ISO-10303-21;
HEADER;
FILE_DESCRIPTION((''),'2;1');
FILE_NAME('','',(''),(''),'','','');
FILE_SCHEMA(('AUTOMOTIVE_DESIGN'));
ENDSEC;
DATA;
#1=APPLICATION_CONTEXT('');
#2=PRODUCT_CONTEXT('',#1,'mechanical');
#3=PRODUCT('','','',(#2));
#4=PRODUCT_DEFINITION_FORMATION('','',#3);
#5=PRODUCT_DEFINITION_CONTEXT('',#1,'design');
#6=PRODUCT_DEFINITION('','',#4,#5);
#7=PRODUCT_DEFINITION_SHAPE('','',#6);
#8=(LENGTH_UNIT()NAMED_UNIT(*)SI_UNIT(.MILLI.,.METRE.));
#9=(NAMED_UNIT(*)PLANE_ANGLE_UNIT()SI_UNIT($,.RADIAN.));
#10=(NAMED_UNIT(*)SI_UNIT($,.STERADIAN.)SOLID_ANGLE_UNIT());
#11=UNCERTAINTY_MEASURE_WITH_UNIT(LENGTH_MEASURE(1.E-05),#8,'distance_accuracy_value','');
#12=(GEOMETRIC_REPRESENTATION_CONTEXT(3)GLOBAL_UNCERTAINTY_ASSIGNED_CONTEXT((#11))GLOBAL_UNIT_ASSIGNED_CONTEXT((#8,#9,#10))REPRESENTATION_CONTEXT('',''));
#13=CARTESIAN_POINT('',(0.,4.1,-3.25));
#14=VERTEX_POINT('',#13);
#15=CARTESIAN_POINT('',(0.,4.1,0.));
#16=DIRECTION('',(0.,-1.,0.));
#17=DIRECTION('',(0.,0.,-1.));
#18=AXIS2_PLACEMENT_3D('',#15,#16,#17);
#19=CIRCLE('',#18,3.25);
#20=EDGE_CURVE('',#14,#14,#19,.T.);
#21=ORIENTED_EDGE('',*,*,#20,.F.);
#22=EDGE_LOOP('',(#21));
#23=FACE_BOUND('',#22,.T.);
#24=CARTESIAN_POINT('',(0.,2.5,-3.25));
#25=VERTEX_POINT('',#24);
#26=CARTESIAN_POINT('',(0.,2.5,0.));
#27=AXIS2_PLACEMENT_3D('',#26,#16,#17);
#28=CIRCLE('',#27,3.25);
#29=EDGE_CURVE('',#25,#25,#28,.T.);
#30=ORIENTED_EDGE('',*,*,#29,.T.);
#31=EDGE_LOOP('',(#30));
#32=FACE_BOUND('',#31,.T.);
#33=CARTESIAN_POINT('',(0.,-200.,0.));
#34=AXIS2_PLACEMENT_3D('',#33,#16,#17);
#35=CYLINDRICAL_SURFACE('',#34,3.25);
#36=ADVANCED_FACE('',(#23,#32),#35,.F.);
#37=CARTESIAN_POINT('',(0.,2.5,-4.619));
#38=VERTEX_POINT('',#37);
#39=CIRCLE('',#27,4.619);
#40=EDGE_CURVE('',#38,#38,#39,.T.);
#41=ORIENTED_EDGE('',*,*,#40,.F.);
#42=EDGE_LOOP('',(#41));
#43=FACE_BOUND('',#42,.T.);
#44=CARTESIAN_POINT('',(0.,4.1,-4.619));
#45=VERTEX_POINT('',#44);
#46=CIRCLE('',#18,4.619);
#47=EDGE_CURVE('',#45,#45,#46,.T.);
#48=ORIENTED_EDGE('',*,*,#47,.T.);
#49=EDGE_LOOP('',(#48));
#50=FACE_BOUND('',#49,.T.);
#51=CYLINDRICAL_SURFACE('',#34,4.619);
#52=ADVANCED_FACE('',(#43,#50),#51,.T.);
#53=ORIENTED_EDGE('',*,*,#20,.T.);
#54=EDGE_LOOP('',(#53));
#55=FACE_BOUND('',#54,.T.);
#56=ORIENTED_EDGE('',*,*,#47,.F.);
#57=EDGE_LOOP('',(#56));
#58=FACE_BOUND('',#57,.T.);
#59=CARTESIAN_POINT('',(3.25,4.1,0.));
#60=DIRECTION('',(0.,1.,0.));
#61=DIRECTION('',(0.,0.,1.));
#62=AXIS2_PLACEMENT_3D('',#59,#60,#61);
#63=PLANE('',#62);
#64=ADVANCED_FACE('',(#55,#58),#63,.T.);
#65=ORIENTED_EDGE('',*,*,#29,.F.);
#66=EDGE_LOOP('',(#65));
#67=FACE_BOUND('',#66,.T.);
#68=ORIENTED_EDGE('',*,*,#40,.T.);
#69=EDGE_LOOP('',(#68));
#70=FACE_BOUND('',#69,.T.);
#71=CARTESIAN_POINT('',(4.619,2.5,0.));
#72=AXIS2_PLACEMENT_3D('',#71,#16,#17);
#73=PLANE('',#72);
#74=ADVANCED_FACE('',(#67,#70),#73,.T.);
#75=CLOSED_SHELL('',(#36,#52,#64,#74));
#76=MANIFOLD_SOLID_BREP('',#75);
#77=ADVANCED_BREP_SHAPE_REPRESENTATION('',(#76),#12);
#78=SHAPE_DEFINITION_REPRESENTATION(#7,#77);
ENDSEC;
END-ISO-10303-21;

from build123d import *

# Parameters (mm, degrees)
SKETCH1_W = 1.369
SKETCH1_H = 1.6


with BuildPart() as part:
    # Sketch1 → Revolve1 (revolve)
    with BuildSketch(Plane.XY, mode=Mode.PRIVATE) as revolve1_sk:
        with Locations((3.9345, 3.3)):
            Rectangle(SKETCH1_W, SKETCH1_H)
    revolve(revolve1_sk.sketch.rotate(Axis((0, -200, 0), (0, 1, 0)), 90), axis=Axis((0, -200, 0), (0, 1, 0)))


solid = part.part
